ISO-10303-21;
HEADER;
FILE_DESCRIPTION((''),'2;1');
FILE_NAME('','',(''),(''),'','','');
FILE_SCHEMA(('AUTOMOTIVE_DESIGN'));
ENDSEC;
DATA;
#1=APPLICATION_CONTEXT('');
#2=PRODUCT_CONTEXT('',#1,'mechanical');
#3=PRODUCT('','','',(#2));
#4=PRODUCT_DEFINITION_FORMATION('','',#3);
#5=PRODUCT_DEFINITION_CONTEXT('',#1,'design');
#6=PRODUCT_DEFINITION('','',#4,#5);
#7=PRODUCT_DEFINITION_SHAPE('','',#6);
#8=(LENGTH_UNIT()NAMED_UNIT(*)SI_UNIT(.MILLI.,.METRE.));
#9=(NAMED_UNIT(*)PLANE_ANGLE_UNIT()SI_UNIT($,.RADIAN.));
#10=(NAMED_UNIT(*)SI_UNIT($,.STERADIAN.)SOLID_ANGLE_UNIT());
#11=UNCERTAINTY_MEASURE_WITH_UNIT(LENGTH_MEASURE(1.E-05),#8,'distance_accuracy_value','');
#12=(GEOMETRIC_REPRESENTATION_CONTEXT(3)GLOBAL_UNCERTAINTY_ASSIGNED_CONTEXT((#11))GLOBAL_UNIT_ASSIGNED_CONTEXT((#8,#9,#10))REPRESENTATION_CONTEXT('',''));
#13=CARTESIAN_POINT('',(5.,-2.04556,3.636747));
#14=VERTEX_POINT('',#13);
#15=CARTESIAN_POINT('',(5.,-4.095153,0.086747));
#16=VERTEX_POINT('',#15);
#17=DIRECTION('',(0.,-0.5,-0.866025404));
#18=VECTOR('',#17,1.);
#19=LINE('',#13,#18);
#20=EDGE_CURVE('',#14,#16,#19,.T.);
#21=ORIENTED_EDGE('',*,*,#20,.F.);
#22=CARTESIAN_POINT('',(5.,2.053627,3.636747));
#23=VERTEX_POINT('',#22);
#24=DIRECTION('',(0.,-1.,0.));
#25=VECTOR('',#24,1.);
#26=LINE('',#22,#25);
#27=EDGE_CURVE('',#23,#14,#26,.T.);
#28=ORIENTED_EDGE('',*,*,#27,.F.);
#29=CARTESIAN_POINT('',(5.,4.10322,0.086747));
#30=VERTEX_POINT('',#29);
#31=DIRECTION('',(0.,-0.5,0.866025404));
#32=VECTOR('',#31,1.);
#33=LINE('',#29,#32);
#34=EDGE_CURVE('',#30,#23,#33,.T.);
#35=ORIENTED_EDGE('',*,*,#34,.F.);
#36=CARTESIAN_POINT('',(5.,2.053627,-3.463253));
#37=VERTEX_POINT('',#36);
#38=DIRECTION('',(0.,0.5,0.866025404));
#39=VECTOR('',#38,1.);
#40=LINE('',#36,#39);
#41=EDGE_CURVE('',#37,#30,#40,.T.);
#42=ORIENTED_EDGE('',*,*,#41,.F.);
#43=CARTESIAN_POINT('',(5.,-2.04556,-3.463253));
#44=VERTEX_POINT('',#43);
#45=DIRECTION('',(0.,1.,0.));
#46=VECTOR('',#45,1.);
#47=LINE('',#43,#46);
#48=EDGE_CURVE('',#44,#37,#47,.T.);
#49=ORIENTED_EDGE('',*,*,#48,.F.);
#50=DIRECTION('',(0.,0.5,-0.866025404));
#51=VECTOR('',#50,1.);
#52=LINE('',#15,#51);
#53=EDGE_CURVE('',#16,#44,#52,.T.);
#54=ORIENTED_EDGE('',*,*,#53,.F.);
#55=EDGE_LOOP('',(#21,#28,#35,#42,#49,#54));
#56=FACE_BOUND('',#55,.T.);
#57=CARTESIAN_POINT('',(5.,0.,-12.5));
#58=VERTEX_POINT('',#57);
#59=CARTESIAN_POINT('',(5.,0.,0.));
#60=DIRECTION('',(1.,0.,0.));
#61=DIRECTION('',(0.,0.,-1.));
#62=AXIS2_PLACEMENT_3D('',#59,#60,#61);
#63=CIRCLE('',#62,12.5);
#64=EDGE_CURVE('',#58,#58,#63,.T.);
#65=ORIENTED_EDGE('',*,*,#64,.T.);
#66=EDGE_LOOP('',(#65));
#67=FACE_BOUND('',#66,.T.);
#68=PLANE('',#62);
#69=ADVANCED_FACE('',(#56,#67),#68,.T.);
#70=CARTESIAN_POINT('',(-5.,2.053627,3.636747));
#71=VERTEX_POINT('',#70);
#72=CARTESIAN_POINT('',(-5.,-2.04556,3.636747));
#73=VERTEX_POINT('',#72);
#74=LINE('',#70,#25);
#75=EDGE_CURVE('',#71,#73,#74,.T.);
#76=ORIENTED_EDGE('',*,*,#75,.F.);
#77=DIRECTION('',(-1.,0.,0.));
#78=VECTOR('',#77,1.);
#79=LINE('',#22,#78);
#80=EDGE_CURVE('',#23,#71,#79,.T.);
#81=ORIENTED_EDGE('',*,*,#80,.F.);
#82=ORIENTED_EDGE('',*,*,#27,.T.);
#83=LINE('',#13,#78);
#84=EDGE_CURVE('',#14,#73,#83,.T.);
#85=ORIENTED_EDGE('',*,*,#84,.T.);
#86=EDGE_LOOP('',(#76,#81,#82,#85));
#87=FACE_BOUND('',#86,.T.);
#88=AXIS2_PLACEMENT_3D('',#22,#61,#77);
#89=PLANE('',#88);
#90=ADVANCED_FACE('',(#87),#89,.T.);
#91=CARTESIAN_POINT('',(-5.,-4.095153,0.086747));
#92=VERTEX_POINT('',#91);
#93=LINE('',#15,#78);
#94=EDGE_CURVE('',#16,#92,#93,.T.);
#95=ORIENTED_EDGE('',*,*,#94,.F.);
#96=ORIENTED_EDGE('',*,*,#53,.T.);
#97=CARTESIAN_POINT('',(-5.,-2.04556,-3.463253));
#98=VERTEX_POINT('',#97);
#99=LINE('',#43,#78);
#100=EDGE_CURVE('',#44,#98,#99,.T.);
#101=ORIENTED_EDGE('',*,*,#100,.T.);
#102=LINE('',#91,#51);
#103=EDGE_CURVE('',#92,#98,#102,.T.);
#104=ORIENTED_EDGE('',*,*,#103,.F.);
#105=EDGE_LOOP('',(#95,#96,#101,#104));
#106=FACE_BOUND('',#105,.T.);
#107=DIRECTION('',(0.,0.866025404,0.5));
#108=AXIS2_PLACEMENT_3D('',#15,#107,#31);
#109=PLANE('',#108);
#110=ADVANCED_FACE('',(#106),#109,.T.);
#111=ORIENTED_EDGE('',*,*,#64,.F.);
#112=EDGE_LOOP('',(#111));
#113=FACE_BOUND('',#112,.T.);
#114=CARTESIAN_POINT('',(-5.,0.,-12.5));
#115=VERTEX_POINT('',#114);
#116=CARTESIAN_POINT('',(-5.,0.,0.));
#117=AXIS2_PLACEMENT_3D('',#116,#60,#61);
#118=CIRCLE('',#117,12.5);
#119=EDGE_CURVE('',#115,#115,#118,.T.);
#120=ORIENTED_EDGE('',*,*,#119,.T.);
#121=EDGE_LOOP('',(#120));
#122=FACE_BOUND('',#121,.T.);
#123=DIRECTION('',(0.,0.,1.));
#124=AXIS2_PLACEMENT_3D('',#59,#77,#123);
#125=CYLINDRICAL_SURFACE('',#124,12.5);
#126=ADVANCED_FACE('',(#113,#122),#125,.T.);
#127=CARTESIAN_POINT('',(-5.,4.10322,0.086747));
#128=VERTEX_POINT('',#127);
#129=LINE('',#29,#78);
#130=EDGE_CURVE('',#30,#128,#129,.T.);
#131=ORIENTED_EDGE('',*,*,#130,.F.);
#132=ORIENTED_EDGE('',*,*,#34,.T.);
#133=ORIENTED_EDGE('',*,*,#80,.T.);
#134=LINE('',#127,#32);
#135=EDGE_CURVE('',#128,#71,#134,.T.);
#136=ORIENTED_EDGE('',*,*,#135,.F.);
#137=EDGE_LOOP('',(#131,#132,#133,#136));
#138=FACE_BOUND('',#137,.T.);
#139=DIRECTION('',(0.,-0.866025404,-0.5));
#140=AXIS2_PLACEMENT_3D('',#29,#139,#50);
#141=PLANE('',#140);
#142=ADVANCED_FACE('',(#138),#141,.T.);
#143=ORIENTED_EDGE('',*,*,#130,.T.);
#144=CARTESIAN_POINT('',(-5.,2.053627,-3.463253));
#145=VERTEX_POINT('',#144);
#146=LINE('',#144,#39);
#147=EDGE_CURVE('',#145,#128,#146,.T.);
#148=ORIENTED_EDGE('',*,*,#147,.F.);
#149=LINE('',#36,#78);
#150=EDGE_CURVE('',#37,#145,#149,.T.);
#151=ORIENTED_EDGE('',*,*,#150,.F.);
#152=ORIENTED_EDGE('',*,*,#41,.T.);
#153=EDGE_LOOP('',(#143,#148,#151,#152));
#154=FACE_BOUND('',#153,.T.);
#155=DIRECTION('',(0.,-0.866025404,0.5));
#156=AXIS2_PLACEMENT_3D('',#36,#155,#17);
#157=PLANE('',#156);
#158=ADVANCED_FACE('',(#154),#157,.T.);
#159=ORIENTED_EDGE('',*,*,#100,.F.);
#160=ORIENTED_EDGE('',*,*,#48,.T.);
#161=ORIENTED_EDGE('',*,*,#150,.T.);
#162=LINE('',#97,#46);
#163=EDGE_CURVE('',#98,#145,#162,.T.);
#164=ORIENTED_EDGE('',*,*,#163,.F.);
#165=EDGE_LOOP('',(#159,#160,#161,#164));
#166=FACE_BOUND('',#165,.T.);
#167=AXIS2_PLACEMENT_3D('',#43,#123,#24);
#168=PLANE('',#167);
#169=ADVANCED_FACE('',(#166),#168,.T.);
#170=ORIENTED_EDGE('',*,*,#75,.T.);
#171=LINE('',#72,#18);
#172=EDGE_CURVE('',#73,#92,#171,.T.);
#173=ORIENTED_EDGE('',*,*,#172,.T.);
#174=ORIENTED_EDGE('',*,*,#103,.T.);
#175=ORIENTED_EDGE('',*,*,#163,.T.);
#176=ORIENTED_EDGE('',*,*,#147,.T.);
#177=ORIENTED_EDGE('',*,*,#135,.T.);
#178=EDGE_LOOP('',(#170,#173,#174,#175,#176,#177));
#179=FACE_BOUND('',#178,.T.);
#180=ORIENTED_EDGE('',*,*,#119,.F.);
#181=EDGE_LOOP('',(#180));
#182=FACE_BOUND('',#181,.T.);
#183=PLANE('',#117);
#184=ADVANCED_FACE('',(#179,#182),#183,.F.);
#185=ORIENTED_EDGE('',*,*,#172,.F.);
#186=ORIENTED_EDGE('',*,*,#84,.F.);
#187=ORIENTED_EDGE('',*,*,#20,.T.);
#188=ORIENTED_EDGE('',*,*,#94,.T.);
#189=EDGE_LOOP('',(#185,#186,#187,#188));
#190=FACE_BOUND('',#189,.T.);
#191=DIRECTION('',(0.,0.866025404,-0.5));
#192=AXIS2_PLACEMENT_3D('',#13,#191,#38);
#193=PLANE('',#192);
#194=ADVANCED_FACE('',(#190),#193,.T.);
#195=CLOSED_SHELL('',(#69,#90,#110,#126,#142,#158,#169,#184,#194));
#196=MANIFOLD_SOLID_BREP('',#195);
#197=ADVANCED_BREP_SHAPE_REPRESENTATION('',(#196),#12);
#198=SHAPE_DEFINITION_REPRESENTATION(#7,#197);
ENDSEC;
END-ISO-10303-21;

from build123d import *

# Parameters (mm, degrees)
SKETCH1_R           = 12.5
BOSS_EXTRUDE1_DEPTH = 5


with BuildPart() as part:
    # Sketch1 → Boss-Extrude1 (new, symmetric)
    with BuildSketch(Plane(origin=(0, 0, 0), x_dir=(0, 0, -1), z_dir=(1, 0, 0))):
        Circle(SKETCH1_R)
        Polygon((-0.086747097, -4.095153345), (3.463252903, -2.04555989), (3.463252903, 2.053627021), (-0.086747097, 4.103220477), (-3.636747097, 2.053627021), (-3.636747097, -2.04555989), align=None, mode=Mode.SUBTRACT)
    extrude(amount=BOSS_EXTRUDE1_DEPTH, both=True)


solid = part.part
